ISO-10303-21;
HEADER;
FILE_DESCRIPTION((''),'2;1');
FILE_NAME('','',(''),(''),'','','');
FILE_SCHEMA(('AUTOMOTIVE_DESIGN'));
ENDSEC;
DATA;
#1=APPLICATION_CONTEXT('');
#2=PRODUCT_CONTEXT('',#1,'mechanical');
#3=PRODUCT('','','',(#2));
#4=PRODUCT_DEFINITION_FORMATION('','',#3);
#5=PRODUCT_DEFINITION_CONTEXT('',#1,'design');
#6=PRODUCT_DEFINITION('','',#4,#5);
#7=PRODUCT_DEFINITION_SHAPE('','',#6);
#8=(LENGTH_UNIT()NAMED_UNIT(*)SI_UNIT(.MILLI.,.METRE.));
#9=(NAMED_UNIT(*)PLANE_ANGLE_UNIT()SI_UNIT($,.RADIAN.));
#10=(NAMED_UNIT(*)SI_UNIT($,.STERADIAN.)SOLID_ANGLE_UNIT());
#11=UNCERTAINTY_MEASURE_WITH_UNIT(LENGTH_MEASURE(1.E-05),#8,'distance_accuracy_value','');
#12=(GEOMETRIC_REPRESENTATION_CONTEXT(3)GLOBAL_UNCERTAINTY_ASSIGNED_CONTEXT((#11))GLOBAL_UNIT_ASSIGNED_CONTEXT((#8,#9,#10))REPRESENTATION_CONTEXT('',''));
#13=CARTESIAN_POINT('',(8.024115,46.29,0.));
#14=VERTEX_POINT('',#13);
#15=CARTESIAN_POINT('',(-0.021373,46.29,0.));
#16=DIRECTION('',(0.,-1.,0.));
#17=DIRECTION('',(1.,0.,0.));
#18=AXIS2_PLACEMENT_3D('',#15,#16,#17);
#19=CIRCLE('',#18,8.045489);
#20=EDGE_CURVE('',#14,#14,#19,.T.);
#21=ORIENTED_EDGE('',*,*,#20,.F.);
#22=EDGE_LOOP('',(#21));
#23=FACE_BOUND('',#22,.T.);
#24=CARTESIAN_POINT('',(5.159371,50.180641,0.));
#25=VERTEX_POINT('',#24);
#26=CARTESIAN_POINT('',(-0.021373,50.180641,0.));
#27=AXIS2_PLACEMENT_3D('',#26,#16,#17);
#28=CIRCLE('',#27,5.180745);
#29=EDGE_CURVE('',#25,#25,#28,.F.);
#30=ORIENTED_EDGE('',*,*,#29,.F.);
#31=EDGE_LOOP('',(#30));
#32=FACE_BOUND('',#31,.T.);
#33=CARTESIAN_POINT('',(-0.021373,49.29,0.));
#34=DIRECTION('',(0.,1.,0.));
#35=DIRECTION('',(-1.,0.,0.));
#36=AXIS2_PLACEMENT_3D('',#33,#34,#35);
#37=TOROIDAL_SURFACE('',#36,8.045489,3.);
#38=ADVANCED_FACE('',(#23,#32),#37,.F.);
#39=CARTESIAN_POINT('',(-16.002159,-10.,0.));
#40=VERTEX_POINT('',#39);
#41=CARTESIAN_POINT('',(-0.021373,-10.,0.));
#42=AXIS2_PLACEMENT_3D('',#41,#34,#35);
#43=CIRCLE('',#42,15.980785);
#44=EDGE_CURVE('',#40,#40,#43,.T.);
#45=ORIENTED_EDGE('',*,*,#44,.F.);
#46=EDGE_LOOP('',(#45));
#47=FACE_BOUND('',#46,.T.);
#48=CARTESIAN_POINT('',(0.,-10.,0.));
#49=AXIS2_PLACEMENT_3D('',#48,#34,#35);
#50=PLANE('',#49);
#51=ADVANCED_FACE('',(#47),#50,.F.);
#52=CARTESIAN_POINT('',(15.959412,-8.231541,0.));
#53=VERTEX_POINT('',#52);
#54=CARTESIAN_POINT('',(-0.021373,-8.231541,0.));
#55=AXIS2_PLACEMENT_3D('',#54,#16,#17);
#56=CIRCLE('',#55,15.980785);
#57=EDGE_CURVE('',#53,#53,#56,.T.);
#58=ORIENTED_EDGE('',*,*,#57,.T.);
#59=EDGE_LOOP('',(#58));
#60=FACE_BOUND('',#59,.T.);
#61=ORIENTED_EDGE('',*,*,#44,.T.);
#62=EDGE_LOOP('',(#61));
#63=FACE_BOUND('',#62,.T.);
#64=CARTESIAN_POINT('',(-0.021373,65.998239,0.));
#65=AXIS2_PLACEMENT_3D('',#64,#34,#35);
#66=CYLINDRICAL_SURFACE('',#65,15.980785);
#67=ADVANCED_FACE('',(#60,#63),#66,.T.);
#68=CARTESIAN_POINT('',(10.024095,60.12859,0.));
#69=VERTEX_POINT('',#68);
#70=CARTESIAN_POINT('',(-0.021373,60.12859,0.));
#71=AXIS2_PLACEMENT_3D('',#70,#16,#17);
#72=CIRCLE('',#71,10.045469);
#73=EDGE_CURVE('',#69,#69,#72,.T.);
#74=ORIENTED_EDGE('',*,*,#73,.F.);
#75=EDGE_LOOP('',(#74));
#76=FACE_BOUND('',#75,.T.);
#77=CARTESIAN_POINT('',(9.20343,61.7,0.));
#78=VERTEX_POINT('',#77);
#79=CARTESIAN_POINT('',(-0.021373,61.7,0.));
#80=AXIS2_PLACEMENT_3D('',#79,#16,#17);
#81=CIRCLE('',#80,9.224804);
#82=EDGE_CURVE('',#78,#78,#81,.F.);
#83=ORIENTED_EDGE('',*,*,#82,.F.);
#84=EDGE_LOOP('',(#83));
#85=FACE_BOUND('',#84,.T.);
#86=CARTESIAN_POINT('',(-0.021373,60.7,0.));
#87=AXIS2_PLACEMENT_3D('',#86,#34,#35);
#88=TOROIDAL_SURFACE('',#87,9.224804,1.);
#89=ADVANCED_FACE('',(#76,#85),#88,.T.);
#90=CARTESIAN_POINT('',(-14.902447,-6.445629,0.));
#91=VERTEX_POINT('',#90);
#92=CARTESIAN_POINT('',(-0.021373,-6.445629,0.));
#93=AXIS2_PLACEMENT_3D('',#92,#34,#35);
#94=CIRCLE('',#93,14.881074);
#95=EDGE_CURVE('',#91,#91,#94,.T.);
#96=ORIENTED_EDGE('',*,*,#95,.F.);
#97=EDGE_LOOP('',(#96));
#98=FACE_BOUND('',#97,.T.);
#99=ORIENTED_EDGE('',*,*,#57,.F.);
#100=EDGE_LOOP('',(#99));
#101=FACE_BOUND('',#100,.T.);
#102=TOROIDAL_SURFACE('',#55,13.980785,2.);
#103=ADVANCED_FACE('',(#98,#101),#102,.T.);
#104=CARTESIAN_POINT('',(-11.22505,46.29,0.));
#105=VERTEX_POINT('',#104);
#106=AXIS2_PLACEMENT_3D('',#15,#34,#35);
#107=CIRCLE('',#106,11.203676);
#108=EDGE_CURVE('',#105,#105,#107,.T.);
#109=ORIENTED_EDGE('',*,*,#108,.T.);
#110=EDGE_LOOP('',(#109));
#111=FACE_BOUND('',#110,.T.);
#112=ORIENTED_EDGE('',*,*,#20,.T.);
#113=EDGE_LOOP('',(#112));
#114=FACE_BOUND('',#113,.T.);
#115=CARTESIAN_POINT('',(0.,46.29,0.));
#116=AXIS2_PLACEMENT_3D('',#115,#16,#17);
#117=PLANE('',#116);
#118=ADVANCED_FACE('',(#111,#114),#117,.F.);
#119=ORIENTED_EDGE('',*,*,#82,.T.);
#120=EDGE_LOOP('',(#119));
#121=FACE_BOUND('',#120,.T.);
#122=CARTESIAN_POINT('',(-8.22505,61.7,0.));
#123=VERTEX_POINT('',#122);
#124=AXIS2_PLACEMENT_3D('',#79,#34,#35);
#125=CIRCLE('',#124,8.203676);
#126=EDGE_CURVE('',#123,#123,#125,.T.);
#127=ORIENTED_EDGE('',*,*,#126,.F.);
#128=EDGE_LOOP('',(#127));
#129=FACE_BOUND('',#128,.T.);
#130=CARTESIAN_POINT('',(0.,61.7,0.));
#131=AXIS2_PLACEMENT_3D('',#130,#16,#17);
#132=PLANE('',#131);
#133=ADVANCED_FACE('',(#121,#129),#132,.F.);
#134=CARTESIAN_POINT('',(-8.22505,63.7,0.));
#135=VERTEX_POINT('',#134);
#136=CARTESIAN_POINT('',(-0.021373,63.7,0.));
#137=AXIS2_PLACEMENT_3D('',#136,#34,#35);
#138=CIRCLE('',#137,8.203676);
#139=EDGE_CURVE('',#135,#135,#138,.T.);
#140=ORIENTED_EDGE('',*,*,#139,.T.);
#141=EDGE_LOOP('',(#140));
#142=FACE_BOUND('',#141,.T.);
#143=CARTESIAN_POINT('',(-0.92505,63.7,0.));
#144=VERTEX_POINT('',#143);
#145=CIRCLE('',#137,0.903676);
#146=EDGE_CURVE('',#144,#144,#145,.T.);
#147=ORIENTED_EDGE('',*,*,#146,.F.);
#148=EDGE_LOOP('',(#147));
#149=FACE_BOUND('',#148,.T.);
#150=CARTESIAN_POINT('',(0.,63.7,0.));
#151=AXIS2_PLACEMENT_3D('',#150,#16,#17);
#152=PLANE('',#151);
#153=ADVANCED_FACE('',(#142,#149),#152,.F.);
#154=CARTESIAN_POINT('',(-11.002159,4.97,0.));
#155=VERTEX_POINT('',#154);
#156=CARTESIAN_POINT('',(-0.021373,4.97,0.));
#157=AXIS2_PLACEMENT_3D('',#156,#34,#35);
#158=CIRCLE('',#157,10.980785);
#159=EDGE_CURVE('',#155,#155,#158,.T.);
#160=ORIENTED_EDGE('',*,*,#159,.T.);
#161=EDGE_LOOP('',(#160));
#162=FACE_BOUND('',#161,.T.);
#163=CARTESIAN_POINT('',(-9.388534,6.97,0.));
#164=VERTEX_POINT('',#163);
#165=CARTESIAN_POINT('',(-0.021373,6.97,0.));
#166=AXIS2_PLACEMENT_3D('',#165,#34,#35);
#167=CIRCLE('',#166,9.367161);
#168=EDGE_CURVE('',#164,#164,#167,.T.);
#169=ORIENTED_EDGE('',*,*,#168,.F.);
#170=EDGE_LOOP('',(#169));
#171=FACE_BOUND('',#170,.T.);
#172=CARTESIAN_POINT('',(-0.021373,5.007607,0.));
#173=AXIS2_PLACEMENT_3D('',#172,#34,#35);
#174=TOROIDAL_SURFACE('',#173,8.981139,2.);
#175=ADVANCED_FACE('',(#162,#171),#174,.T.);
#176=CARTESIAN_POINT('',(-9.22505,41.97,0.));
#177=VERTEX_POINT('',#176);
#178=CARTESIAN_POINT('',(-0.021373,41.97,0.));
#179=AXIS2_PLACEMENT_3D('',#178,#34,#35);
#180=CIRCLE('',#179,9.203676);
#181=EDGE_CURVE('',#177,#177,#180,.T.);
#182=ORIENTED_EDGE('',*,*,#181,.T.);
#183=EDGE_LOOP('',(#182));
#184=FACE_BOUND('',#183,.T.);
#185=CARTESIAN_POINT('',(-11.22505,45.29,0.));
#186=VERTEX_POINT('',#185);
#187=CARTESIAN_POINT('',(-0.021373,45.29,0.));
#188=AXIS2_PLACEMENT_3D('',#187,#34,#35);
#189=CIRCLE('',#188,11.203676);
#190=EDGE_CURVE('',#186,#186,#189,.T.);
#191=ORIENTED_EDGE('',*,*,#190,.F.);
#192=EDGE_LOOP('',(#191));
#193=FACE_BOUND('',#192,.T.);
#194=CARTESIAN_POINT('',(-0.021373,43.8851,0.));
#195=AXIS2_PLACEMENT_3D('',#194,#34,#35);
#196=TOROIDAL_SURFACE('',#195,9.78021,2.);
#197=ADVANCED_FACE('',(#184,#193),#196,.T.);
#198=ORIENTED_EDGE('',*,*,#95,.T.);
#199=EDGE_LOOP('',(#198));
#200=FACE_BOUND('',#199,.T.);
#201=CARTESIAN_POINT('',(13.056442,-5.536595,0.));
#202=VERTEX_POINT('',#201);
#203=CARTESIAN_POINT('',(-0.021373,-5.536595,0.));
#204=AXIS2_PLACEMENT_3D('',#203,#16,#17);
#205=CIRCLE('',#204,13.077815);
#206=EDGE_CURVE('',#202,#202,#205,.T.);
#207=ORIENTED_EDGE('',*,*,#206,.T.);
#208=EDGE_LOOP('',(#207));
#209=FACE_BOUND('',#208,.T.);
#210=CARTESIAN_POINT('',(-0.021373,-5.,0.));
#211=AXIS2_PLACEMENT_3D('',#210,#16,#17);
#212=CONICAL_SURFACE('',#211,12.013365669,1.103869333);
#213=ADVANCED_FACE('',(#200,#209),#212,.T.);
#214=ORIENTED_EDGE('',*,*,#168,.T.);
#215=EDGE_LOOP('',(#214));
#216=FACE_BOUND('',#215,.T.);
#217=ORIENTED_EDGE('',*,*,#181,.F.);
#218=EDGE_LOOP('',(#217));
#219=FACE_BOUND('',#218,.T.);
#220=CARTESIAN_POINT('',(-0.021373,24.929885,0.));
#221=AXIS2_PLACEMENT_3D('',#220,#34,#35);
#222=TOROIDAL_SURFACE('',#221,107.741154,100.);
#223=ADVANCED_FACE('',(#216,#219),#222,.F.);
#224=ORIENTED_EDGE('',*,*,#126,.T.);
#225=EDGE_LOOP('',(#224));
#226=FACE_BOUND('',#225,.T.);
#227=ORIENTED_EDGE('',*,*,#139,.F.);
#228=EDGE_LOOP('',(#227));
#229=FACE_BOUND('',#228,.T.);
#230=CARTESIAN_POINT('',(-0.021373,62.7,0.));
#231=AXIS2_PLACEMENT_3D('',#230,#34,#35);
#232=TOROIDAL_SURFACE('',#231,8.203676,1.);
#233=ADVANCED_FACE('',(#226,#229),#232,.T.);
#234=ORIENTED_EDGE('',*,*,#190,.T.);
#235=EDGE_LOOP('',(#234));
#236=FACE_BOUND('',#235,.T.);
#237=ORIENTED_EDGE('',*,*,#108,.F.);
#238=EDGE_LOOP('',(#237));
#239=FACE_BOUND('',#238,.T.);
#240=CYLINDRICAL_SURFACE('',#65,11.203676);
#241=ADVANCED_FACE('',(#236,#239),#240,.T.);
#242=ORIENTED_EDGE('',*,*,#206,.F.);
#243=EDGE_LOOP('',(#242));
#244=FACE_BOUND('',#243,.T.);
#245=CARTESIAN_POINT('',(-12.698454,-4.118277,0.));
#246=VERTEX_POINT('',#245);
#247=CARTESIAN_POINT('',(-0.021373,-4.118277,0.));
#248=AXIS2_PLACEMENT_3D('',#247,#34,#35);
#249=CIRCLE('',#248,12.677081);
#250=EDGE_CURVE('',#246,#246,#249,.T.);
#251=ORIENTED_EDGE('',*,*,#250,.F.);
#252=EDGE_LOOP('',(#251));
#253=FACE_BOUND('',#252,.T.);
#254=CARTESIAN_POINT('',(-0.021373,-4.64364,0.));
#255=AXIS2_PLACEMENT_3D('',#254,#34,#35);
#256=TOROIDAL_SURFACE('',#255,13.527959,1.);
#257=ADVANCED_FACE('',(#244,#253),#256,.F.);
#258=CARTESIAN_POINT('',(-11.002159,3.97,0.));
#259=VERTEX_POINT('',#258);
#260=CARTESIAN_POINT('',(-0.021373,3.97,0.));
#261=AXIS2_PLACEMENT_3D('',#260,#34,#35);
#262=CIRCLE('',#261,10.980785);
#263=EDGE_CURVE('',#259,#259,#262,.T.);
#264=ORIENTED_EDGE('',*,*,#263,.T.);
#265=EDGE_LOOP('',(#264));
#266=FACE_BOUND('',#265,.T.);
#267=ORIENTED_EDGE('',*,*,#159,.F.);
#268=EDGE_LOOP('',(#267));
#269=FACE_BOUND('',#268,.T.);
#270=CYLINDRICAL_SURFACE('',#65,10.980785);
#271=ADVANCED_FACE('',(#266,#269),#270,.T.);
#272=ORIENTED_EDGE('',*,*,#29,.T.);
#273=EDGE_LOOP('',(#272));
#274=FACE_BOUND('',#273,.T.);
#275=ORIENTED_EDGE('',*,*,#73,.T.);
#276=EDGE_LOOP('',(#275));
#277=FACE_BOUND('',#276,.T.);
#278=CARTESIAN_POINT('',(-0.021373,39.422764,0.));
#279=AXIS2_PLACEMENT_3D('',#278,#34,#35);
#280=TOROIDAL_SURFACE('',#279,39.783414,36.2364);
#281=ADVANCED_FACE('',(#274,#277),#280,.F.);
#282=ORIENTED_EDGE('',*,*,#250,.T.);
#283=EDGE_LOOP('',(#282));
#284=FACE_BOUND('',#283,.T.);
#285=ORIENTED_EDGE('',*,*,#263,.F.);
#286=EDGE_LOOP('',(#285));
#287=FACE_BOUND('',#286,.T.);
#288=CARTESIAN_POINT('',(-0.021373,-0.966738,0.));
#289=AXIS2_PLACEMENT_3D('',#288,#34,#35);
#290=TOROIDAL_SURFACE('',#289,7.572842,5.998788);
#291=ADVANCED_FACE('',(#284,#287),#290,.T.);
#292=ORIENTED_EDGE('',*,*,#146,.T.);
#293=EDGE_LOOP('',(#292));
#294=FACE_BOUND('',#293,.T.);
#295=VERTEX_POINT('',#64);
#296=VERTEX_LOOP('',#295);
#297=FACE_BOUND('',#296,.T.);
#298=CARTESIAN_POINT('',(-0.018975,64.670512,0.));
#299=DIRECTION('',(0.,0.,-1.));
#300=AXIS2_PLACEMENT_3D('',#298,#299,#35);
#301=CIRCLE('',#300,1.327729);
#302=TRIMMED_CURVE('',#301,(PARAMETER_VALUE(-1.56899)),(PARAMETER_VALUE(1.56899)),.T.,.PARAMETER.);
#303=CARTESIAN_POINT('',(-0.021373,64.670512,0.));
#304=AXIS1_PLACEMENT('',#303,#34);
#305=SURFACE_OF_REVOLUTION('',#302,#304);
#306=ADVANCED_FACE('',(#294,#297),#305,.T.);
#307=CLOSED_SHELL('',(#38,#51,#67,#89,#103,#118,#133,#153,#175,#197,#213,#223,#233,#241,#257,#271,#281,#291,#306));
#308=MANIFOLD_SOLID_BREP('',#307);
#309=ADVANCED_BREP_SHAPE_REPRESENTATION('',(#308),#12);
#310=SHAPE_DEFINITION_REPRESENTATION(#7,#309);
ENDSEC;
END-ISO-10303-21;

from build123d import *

# Parameters (mm, degrees)
FILLET1_R = 2
FILLET2_R = 1
FILLET3_R = 3
FILLET4_R = 1


with BuildPart() as part:
    # Sketch1 → Revolve1 (revolve)
    with BuildSketch(Plane.XY, mode=Mode.PRIVATE) as revolve1_sk:
        with BuildLine():
            Line((-0.021373291, 65.998238541), (-0.021373291, -10))
            Line((-0.021373291, -10), (13.959412098, -10))
            Line((13.959412098, -10), (15.959412098, -10))
            Line((15.959412098, -10), (15.959412098, -7))
            Line((15.959412098, -7), (11.991992379, -5))
            ThreePointArc((11.991992379, -5), (13.510901064, -0.280718375), (10.959412098, 3.97))
            Line((10.959412098, 3.97), (10.959412098, 4.97))
            ThreePointArc((10.959412098, 4.97), (10.516317431, 6.263451807), (9.345787589, 6.97))
            ThreePointArc((9.345787589, 6.97), (7.720871608, 24.46279186), (9.182303149, 41.97))
            ThreePointArc((9.182303149, 41.97), (11.471998628, 42.853075013), (11.182303149, 45.29))
            Line((11.182303149, 45.29), (11.182303149, 46.29))
            Line((11.182303149, 46.29), (4.182303149, 46.29))
            ThreePointArc((4.182303149, 46.29), (6.76997216, 54.409426796), (11.182303149, 61.7))
            Line((11.182303149, 61.7), (8.182303149, 61.7))
            ThreePointArc((8.182303149, 61.7), (9.182303149, 62.7), (8.182303149, 63.7))
            Line((8.182303149, 63.7), (0.882303149, 63.7))
            ThreePointArc((0.882303149, 63.7), (1.211868305, 65.156370153), (-0.021373291, 65.998238541))
        make_face()
    revolve(revolve1_sk.sketch.rotate(Axis((-0.021373291, 65.998238541, 0), (0, -1, 0)), 180), axis=Axis((-0.021373291, 65.998238541, 0), (0, -1, 0)))

    # Fillet1
    fillet1_edges = [part.edges().sort_by_distance(p)[0] for p in [
        (15.959412098, -7, 0),
    ]]
    fillet(fillet1_edges, radius=FILLET1_R)

    # Fillet2
    fillet2_edges = [part.edges().sort_by_distance(p)[0] for p in [
        (11.991992379, -5, 0),
    ]]
    fillet(fillet2_edges, radius=FILLET2_R)

    # Fillet3
    fillet3_edges = [part.edges().sort_by_distance(p)[0] for p in [
        (4.182303149, 46.29, 0),
    ]]
    fillet(fillet3_edges, radius=FILLET3_R)

    # Fillet4
    fillet4_edges = [part.edges().sort_by_distance(p)[0] for p in [
        (11.182303149, 61.7, 0),
    ]]
    fillet(fillet4_edges, radius=FILLET4_R)


solid = part.part
